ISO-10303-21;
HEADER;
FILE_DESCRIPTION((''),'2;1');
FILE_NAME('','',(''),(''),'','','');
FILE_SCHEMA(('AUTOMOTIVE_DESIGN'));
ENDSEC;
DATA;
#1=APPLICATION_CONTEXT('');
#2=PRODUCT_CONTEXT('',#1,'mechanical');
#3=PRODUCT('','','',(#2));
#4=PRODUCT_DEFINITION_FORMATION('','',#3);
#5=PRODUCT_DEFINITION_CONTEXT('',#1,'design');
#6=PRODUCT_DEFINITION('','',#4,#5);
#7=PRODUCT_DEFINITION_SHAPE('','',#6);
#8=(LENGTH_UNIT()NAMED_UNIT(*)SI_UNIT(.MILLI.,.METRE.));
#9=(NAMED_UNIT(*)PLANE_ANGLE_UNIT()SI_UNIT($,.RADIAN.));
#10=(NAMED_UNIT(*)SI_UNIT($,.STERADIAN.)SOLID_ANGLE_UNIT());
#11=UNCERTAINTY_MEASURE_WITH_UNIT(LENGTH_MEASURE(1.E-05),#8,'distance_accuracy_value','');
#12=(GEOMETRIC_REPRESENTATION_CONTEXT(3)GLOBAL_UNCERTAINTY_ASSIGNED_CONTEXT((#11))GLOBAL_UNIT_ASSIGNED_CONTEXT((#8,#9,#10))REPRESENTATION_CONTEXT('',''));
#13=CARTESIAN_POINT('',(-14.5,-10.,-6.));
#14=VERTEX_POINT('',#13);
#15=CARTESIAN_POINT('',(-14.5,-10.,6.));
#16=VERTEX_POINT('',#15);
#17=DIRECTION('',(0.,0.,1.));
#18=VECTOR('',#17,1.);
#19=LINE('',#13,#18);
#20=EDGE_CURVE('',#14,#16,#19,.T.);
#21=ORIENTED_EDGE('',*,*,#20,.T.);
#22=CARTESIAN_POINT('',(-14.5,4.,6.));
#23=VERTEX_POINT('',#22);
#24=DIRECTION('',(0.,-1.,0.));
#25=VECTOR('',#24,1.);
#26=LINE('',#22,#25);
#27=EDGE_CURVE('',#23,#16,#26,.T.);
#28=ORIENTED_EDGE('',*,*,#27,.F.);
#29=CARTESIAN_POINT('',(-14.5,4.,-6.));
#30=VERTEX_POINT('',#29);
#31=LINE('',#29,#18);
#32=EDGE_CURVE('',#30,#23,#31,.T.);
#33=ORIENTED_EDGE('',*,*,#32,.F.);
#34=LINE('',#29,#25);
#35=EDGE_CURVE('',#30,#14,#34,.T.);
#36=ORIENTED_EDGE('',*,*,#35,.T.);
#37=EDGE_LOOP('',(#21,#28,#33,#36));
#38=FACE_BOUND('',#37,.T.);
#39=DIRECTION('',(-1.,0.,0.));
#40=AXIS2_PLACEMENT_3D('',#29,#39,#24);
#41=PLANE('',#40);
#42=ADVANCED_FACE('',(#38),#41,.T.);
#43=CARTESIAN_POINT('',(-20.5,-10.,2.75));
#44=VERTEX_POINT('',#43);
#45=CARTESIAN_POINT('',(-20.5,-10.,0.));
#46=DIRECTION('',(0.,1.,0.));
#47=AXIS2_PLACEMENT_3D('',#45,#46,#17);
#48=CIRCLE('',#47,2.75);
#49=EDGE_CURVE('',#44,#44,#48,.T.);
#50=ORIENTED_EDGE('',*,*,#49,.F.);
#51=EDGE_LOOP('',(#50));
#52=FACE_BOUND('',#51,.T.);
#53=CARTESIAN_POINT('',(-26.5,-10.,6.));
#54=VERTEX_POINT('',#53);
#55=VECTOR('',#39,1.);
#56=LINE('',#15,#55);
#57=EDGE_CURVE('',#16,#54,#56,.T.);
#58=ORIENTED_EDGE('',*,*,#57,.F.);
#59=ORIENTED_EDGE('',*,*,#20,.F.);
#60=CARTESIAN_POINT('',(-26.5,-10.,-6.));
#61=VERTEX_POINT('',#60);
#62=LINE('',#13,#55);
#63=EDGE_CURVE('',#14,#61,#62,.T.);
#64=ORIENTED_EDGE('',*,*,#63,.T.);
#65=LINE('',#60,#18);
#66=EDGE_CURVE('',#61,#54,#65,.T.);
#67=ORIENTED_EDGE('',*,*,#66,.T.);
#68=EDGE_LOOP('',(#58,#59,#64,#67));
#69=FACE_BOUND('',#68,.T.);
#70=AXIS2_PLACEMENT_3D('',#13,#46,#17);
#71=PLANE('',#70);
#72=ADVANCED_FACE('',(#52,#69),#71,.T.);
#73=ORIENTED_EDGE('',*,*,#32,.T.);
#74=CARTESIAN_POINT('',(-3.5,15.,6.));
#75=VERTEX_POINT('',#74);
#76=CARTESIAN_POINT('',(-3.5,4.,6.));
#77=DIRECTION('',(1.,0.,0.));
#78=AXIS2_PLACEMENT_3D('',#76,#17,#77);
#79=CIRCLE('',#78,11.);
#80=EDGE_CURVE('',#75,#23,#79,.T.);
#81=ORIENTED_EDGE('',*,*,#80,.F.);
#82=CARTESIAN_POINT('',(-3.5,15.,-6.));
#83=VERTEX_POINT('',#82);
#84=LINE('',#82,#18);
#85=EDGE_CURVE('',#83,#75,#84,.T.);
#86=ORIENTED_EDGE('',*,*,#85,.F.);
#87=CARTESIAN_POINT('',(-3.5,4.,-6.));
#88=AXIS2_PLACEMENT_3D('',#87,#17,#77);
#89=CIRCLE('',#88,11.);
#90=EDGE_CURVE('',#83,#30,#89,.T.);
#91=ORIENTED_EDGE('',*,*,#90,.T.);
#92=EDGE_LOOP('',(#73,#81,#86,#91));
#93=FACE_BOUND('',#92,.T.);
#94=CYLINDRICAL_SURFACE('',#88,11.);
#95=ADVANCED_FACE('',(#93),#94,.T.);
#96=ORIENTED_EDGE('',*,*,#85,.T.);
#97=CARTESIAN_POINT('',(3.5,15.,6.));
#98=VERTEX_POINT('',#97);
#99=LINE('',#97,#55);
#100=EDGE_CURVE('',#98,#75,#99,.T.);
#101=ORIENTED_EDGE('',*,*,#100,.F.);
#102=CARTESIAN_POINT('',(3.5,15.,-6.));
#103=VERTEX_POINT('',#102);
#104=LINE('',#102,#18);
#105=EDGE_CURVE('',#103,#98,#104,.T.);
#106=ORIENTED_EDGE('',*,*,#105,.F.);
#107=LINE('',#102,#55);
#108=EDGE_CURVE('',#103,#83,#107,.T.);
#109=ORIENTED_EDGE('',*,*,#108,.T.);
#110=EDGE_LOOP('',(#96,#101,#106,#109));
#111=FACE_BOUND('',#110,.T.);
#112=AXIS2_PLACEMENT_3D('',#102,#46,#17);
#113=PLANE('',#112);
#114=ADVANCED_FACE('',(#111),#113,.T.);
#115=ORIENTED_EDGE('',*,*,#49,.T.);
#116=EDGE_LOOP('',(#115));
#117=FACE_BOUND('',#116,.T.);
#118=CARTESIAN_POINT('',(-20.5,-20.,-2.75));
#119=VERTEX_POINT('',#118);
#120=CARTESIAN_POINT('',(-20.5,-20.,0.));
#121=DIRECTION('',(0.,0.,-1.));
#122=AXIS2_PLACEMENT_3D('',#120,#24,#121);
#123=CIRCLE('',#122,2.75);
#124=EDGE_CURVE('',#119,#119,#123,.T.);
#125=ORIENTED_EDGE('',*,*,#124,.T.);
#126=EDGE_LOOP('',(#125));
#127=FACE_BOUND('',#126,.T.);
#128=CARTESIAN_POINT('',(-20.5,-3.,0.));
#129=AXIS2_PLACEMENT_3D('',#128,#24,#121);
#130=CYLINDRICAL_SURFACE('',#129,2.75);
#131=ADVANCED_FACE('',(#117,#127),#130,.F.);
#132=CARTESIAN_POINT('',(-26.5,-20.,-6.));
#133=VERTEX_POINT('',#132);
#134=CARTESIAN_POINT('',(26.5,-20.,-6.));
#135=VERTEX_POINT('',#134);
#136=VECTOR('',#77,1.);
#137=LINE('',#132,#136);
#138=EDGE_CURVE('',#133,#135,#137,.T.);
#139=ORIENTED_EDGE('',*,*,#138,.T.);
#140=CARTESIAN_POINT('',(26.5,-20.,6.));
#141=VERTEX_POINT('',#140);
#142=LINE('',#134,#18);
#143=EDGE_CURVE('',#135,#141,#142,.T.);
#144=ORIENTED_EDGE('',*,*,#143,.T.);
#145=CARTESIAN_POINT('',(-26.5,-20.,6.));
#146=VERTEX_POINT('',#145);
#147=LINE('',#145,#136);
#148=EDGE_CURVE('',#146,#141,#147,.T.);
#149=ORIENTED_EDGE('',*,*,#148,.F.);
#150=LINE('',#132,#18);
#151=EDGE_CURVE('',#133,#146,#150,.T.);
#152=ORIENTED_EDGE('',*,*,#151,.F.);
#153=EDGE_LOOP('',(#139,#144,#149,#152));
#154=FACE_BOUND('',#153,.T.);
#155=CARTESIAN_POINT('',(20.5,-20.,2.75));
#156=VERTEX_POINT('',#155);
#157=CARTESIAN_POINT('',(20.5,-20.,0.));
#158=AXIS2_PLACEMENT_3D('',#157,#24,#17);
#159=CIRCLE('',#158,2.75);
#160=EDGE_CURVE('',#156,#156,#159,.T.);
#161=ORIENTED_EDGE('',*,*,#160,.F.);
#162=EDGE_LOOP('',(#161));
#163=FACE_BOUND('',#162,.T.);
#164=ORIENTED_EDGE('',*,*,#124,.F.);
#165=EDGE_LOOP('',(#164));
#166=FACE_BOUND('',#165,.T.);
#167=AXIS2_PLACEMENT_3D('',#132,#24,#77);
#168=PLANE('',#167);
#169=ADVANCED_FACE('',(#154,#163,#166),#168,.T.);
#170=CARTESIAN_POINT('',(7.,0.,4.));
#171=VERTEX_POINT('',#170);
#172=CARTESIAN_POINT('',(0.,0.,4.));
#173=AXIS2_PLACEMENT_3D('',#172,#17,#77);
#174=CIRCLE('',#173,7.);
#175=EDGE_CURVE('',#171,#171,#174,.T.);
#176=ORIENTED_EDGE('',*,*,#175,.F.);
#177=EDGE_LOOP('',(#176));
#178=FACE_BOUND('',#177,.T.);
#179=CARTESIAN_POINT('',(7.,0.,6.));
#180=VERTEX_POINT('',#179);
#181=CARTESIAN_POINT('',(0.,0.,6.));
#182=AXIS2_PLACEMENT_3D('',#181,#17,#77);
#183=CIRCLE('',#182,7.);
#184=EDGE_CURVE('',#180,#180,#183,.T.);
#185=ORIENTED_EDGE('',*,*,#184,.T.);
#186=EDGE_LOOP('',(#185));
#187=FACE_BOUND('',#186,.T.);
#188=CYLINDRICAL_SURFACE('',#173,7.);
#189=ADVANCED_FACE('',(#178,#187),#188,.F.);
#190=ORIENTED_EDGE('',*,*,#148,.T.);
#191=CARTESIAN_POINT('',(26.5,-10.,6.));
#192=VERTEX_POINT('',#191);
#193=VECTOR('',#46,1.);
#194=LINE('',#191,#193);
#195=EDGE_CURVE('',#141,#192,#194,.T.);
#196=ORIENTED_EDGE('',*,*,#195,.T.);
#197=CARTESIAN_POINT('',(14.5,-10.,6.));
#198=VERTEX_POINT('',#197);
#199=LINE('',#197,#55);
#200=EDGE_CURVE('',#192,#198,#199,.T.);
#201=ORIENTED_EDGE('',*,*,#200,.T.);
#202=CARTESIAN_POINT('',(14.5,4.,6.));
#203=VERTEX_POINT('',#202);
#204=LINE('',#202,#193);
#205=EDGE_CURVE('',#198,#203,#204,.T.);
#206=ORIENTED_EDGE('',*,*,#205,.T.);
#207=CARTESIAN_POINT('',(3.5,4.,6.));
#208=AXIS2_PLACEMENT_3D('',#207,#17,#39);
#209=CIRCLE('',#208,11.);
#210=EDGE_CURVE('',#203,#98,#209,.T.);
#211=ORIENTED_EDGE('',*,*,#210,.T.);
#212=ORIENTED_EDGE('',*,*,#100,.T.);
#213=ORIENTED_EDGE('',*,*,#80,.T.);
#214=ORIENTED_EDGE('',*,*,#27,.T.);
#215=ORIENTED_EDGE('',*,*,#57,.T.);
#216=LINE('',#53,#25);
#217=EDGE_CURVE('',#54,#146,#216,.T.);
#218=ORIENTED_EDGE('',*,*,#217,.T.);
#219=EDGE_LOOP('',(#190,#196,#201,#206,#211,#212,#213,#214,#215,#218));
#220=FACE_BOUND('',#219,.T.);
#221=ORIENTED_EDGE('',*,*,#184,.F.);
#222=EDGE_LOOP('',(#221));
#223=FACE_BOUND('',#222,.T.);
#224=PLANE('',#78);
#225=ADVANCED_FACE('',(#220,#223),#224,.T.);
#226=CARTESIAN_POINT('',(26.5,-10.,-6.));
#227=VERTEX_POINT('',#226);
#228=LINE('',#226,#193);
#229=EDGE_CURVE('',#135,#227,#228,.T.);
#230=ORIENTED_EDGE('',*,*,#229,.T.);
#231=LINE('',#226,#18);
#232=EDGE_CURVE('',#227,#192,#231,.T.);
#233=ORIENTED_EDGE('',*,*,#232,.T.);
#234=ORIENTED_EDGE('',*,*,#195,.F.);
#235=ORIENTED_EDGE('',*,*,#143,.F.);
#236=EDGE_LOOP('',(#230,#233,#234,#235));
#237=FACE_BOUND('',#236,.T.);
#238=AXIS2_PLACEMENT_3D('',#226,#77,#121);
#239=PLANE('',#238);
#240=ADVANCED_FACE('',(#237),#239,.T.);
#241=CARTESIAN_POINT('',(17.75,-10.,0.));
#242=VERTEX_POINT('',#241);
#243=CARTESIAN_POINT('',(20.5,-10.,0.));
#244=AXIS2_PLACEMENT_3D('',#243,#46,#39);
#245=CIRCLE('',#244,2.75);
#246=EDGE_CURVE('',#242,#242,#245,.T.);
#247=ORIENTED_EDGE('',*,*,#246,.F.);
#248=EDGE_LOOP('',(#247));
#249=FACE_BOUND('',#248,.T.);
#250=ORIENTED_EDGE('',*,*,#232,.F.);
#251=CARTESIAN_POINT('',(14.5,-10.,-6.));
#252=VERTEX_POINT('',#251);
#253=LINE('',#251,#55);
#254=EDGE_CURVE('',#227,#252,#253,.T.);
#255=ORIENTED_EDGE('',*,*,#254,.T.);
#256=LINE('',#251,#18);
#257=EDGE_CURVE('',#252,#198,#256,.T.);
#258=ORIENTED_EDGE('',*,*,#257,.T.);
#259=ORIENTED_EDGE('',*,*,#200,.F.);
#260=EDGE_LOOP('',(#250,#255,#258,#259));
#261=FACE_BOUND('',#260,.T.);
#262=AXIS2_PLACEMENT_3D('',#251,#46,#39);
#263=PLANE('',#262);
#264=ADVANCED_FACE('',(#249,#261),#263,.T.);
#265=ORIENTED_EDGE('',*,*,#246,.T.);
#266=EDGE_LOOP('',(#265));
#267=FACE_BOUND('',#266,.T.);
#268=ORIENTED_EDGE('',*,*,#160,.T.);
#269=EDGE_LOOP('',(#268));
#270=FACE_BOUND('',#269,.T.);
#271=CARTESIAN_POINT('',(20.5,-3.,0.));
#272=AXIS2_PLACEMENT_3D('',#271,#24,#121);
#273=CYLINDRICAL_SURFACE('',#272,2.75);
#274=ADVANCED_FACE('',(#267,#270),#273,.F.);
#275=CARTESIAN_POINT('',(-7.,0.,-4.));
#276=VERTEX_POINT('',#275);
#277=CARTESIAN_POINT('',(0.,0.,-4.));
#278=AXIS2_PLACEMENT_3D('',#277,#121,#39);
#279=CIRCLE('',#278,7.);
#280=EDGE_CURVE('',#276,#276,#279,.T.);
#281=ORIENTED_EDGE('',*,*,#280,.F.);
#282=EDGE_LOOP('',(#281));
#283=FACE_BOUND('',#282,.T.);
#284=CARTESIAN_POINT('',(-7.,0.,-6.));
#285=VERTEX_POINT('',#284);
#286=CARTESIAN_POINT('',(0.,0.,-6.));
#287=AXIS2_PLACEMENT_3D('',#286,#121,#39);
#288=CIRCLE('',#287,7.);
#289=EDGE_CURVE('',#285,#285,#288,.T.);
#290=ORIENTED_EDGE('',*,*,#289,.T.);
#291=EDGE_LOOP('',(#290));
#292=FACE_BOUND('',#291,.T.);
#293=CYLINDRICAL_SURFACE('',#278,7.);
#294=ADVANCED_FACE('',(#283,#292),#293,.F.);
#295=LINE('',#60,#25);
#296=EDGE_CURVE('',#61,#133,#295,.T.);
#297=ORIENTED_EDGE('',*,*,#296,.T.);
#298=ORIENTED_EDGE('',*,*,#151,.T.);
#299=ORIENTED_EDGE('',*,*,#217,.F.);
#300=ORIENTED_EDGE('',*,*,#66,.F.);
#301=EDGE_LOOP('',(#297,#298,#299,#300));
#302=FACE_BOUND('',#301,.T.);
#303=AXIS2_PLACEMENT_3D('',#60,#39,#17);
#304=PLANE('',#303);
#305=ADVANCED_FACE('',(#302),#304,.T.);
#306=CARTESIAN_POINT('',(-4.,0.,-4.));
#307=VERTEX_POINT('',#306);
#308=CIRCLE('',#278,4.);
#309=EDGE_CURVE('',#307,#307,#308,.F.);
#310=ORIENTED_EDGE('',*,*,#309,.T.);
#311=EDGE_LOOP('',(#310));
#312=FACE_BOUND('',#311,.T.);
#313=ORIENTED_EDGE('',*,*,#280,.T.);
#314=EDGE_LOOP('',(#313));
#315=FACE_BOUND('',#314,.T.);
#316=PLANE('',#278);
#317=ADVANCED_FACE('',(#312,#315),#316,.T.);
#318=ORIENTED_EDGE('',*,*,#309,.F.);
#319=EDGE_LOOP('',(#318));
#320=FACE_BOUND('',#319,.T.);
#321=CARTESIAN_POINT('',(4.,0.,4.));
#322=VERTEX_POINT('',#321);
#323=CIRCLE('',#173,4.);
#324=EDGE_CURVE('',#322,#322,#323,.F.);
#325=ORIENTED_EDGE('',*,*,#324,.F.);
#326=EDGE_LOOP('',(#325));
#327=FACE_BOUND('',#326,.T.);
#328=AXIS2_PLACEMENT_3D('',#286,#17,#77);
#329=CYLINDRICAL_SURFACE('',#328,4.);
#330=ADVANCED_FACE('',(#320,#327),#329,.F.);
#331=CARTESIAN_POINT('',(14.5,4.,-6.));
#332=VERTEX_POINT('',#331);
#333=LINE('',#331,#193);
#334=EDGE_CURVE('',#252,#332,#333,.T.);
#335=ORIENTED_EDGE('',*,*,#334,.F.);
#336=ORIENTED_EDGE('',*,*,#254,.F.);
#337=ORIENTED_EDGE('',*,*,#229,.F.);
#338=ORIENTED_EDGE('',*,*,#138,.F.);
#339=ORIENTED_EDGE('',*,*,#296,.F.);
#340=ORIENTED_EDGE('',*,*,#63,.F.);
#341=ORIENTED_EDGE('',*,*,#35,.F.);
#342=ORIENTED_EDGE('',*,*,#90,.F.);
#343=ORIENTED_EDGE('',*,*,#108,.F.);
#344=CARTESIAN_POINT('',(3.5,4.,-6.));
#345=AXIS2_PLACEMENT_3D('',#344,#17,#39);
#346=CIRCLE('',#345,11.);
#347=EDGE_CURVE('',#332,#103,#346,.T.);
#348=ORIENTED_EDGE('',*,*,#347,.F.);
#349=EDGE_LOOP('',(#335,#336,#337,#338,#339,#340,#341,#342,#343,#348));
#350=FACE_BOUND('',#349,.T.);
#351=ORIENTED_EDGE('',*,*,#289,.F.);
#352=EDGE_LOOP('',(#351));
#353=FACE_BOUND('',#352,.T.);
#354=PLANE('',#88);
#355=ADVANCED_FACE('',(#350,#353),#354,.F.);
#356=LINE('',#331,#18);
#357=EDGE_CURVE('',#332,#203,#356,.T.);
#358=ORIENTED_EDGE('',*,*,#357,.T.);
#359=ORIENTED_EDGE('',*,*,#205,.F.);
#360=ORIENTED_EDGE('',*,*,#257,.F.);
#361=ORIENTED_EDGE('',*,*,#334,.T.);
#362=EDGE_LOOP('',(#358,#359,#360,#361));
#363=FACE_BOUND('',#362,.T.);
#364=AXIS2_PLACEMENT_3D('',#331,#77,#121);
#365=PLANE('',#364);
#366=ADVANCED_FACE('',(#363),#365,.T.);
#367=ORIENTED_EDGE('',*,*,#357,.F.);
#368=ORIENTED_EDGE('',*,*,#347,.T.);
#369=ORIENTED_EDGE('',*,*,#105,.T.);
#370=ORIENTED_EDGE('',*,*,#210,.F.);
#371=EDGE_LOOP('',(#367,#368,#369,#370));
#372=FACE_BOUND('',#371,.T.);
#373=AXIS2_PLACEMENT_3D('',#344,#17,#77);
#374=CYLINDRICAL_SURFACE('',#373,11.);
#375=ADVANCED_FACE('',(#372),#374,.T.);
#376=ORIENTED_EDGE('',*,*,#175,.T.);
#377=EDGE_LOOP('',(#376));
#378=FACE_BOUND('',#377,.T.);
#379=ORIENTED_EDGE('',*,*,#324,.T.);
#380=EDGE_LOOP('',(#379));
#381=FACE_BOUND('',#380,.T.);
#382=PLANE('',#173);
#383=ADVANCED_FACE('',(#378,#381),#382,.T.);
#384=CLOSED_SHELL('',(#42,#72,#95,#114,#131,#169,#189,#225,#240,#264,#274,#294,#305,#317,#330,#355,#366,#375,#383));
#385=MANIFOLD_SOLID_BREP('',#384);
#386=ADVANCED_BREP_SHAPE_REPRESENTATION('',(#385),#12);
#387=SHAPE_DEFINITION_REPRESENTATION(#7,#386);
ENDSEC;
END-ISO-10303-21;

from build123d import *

# Parameters (mm, degrees)
EXTRUDE_1_DEPTH      = 6
EXTRUDE_1_DEPTH_BACK = 6
SKETCH_1_R           = 4
SKETCH_2_R           = 7
CUT_EXTRUDE_1_DEPTH  = 2
CUT_EXTRUDE_START    = -2
SKETCH_3_R           = 7
CUT_EXTRUDE_2_DEPTH  = 2
SKETCH_4_R           = 2.75
CUT_EXTRUDE_3_DEPTH  = 17


with BuildPart() as part:
    # 草图1 → 凸台-拉伸1 (new, two sides: drawn at the far end of the back side and taken through both)
    with BuildSketch(Plane.XY.offset(-EXTRUDE_1_DEPTH_BACK)):
        with BuildLine():
            Line((3.5, 15), (-3.5, 15))
            ThreePointArc((-3.5, 15), (-11.278174593, 11.778174593), (-14.5, 4))
            Line((-14.5, 4), (-14.5, -10))
            Line((-14.5, -10), (-26.5, -10))
            Line((-26.5, -10), (-26.5, -20))
            Line((-26.5, -20), (26.5, -20))
            Line((26.5, -20), (26.5, -10))
            Line((26.5, -10), (14.5, -10))
            Line((14.5, -10), (14.5, 4))
            ThreePointArc((14.5, 4), (11.278174593, 11.778174593), (3.5, 15))
        make_face()
        Circle(SKETCH_1_R, mode=Mode.SUBTRACT)
    extrude(amount=EXTRUDE_1_DEPTH + EXTRUDE_1_DEPTH_BACK)

    # 草图2 → 切除-拉伸1 (cut)
    with BuildSketch(Plane.XY.offset(6)):
        Circle(SKETCH_2_R)
    extrude(amount=-CUT_EXTRUDE_1_DEPTH, mode=Mode.SUBTRACT)

    # 草图3 → 切除-拉伸2 (cut)
    with BuildSketch(Plane(origin=(0, 0, -6), x_dir=(-1, 0, 0), z_dir=(0, 0, -1)).offset(CUT_EXTRUDE_START)):
        Circle(SKETCH_3_R)
    extrude(amount=CUT_EXTRUDE_2_DEPTH, mode=Mode.SUBTRACT)

    # 草图4 → 切除-拉伸3 (cut)
    with BuildSketch(Plane.XZ.offset(20)):
        with Locations((-20.5, 0)):
            Circle(SKETCH_4_R)
        with Locations((20.5, 0)):
            Circle(SKETCH_4_R)
    extrude(amount=-CUT_EXTRUDE_3_DEPTH, mode=Mode.SUBTRACT)


solid = part.part
